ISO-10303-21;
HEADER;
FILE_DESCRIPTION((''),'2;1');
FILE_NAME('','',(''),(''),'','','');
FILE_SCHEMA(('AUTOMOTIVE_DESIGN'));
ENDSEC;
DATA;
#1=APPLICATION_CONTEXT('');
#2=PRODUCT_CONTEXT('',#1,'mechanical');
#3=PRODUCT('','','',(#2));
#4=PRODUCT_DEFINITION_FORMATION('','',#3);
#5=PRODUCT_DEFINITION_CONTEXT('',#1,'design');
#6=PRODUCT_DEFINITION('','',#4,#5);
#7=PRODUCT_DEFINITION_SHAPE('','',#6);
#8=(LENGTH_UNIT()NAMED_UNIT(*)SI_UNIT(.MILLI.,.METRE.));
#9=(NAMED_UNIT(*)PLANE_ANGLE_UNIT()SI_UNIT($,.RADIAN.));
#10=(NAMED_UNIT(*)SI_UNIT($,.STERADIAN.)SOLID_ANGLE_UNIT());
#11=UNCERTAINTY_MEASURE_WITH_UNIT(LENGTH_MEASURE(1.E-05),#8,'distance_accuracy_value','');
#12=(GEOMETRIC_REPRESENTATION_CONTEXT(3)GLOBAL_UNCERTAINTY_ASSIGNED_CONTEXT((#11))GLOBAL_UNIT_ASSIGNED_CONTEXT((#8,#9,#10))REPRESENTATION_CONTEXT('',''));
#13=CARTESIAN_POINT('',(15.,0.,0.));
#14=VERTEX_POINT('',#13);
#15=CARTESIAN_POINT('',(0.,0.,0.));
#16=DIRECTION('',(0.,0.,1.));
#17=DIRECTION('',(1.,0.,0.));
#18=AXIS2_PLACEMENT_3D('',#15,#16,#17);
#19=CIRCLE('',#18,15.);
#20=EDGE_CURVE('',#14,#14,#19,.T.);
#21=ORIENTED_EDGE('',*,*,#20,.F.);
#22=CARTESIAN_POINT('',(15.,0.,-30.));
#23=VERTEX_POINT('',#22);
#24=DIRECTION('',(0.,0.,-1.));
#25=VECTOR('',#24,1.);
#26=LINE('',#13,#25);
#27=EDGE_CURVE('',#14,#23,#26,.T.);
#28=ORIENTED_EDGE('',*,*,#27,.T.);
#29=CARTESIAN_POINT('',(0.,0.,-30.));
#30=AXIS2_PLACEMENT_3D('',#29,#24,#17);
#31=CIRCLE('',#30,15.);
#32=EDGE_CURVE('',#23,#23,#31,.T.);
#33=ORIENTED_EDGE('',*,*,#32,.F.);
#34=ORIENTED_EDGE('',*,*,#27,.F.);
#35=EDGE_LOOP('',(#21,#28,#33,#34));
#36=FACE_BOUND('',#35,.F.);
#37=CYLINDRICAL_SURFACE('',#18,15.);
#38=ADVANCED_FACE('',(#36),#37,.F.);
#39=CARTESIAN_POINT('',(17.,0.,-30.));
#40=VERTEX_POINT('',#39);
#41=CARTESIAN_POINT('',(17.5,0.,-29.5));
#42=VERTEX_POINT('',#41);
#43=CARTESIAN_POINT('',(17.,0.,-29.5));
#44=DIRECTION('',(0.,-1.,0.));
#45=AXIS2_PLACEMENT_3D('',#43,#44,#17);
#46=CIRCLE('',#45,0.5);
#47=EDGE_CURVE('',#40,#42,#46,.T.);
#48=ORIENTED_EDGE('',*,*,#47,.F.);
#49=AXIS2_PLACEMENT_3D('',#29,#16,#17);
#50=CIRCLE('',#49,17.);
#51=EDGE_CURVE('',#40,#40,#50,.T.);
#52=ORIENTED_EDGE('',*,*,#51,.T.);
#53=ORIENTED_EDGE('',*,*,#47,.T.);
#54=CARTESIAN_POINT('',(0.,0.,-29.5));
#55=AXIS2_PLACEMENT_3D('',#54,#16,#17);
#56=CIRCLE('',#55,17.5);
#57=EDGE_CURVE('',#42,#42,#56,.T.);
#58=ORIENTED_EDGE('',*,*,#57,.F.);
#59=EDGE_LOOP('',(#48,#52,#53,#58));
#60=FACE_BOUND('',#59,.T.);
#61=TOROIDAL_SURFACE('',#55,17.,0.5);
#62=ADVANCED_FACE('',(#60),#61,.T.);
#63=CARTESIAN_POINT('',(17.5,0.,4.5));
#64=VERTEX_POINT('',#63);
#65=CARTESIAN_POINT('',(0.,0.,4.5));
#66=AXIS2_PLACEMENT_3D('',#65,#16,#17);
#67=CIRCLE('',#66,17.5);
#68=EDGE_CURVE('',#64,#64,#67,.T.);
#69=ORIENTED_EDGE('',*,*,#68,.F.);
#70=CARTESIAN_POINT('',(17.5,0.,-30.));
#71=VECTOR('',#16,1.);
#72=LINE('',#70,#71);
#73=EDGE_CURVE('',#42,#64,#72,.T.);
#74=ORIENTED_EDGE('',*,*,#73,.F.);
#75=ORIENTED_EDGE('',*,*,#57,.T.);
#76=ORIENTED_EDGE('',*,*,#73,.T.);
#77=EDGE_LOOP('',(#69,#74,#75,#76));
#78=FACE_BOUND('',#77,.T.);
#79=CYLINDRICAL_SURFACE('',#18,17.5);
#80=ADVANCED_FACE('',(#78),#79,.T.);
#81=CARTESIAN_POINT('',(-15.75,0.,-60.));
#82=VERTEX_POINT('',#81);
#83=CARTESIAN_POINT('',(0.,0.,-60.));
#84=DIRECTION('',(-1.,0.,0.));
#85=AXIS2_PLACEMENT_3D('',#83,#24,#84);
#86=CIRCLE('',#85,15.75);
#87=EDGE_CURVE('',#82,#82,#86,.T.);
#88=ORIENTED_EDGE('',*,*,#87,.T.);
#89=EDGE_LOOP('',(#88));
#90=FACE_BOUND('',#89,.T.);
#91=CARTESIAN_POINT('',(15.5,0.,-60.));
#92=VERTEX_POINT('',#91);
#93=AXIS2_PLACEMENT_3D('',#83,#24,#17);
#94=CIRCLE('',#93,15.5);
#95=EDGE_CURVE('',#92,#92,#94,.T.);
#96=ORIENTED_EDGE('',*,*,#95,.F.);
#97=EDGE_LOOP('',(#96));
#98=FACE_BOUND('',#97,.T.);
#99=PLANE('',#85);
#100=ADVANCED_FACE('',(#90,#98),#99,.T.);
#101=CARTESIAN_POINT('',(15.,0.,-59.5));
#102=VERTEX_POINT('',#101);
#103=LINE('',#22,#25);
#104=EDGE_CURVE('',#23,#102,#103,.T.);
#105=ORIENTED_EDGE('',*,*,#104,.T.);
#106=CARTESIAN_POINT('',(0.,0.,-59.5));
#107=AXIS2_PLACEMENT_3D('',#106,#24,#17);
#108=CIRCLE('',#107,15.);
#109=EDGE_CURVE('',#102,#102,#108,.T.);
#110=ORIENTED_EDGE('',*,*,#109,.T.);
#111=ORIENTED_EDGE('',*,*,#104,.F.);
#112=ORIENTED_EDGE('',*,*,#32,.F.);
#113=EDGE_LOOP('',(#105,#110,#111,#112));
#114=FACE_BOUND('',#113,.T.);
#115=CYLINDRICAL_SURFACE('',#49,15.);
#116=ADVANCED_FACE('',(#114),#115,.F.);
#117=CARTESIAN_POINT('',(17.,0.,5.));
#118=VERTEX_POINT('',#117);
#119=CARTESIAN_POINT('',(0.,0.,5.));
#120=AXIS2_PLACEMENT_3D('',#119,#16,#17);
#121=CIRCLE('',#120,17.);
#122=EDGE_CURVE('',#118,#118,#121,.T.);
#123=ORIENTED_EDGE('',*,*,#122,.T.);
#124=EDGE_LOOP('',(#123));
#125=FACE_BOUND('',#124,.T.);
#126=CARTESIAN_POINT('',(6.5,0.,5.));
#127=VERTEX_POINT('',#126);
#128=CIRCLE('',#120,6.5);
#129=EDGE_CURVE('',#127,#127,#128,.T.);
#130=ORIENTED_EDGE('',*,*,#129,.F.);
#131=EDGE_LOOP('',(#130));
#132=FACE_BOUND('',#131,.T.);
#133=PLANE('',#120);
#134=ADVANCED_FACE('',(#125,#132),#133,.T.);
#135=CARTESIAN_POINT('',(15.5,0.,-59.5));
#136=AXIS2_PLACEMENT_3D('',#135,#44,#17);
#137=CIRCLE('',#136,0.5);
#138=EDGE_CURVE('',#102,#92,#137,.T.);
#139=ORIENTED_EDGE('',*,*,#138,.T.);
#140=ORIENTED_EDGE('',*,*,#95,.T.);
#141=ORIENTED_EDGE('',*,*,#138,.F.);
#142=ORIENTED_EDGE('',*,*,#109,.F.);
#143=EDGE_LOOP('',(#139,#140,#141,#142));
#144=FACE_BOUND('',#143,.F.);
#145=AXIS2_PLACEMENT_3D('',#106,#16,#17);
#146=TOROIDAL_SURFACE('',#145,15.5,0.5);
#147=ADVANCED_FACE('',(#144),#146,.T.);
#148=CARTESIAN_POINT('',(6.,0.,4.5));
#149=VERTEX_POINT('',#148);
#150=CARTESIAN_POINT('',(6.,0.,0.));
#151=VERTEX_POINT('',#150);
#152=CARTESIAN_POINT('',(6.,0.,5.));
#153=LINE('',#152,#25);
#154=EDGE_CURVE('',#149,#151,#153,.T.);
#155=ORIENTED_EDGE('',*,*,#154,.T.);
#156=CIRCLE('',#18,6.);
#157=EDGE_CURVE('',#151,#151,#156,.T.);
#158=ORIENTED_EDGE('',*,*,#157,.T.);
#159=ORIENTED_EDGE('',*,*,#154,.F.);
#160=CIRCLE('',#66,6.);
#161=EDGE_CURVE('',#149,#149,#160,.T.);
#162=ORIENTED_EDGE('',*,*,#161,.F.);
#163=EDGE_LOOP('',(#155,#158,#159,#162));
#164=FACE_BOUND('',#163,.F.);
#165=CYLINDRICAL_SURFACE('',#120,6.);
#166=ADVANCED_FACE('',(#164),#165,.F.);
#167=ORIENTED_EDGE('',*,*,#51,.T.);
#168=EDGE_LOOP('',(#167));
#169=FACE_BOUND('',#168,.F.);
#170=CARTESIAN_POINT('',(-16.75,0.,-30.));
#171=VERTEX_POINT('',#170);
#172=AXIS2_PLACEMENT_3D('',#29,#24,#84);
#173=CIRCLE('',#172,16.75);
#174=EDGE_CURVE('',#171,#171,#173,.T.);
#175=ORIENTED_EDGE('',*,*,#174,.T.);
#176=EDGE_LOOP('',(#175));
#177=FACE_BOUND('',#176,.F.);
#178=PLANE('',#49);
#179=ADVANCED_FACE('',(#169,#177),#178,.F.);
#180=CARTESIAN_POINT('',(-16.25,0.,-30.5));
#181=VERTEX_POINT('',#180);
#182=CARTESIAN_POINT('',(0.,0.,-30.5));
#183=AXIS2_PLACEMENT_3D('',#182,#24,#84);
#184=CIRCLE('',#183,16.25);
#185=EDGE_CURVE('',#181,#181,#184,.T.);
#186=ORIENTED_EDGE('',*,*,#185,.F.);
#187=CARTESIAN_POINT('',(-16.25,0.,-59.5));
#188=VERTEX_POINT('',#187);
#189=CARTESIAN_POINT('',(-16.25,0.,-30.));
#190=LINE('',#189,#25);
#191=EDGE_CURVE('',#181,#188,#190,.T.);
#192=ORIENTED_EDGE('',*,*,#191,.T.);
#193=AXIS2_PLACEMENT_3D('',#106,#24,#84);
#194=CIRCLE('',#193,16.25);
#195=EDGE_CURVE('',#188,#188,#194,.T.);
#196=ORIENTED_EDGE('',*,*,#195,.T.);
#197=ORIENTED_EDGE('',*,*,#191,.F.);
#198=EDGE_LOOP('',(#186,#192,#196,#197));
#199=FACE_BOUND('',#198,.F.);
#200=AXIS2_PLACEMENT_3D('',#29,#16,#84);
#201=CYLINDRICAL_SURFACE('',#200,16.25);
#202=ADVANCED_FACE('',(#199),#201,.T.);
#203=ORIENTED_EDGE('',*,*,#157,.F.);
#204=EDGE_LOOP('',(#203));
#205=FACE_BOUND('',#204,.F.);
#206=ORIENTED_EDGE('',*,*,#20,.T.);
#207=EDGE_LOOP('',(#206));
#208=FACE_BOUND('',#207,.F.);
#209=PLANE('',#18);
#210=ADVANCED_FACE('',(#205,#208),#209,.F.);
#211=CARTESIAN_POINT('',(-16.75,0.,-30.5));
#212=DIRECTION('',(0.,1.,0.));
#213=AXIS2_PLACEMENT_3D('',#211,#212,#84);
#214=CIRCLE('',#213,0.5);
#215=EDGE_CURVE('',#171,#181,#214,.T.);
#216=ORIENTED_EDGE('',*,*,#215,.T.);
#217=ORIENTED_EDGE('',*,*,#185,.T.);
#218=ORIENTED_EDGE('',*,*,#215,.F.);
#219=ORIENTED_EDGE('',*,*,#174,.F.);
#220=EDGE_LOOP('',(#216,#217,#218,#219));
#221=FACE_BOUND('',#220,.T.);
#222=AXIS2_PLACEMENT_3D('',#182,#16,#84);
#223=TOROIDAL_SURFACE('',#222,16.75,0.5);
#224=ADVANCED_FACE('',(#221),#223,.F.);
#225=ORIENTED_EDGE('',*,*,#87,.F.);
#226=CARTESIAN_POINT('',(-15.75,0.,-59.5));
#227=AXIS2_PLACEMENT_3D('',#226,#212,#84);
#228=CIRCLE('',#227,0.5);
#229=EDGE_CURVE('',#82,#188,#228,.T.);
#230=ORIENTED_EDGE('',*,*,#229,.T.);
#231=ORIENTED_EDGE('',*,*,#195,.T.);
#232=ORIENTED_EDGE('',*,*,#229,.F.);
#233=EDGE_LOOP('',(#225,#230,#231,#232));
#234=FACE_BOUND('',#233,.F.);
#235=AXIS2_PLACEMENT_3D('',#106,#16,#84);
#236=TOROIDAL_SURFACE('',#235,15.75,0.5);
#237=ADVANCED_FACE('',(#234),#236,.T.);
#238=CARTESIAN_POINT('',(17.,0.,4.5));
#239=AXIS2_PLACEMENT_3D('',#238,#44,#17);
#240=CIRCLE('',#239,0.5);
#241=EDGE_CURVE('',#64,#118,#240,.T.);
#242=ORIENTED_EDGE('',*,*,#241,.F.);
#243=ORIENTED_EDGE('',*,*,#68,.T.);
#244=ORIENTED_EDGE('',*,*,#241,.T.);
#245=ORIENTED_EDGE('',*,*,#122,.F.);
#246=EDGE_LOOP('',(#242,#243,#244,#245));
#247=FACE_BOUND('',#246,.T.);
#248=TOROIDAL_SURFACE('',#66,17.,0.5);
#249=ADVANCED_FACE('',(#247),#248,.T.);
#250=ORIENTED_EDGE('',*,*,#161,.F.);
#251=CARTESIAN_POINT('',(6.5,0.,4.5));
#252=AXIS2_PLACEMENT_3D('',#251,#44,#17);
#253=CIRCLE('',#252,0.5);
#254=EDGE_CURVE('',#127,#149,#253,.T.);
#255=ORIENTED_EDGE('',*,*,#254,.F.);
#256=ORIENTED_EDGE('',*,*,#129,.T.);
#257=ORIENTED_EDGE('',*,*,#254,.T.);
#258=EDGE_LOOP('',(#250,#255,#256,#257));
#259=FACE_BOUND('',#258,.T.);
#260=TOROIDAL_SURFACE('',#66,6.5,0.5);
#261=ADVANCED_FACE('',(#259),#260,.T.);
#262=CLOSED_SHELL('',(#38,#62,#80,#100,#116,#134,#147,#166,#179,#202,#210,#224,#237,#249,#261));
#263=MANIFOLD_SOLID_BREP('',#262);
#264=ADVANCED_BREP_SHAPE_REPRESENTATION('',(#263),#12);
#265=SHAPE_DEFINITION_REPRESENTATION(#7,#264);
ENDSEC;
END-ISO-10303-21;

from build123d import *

# Parameters (mm, degrees)
SKETCH1_R           = 17.5
SKETCH1_R_2         = 15
BOSS_EXTRUDE1_DEPTH = 30
SKETCH2_R           = 16.25
SKETCH2_R_2         = 15
BOSS_EXTRUDE2_DEPTH = 30
SKETCH3_R           = 17.5
BOSS_EXTRUDE3_DEPTH = 5
SKETCH4_R           = 6
CUT_EXTRUDE1_DEPTH  = 10
FILLET2_R           = 0.5
FILLET3_R           = 0.5
FILLET4_R           = 0.5


with BuildPart() as part:
    # Sketch1 → Boss-Extrude1 (new body)
    with BuildSketch(Plane.XY):
        Circle(SKETCH1_R)
        Circle(SKETCH1_R_2, mode=Mode.SUBTRACT)
    extrude(amount=-BOSS_EXTRUDE1_DEPTH)

    # Sketch3 → Boss-Extrude3 (add)
    with BuildSketch(Plane.XY):
        Circle(SKETCH3_R)
    extrude(amount=BOSS_EXTRUDE3_DEPTH)

    # Sketch4 → Cut-Extrude1 (cut)
    with BuildSketch(Plane.XY.offset(5)):
        Circle(SKETCH4_R)
    extrude(amount=-CUT_EXTRUDE1_DEPTH, mode=Mode.SUBTRACT)


with BuildPart() as body_2:
    # Sketch2 → Boss-Extrude2 (new body)
    with BuildSketch(Plane(origin=(0, 0, -30), x_dir=(-1, 0, 0), z_dir=(0, 0, -1))):
        Circle(SKETCH2_R)
        with Locations(Location((0, 0, 0), (0, 0, 180))):
            Circle(SKETCH2_R_2, mode=Mode.SUBTRACT)
    extrude(amount=BOSS_EXTRUDE2_DEPTH)

    # Combine1: union part
    add(part.part)

    # Fillet2
    fillet2_edges = [body_2.edges().sort_by_distance(p)[0] for p in [
        (16.25, 0, -30),
    ]]
    fillet(fillet2_edges, radius=FILLET2_R)

    # Fillet3
    fillet3_edges = [body_2.edges().sort_by_distance(p)[0] for p in [
        (-17.5, 0, -30),
        (16.25, 0, -60),
        (-15, 0, -60),
    ]]
    fillet(fillet3_edges, radius=FILLET3_R)

    # Fillet4
    fillet4_edges = [body_2.edges().sort_by_distance(p)[0] for p in [
        (-17.5, 0, 5),
        (-6, 0, 5),
    ]]
    fillet(fillet4_edges, radius=FILLET4_R)


solid = body_2.part
